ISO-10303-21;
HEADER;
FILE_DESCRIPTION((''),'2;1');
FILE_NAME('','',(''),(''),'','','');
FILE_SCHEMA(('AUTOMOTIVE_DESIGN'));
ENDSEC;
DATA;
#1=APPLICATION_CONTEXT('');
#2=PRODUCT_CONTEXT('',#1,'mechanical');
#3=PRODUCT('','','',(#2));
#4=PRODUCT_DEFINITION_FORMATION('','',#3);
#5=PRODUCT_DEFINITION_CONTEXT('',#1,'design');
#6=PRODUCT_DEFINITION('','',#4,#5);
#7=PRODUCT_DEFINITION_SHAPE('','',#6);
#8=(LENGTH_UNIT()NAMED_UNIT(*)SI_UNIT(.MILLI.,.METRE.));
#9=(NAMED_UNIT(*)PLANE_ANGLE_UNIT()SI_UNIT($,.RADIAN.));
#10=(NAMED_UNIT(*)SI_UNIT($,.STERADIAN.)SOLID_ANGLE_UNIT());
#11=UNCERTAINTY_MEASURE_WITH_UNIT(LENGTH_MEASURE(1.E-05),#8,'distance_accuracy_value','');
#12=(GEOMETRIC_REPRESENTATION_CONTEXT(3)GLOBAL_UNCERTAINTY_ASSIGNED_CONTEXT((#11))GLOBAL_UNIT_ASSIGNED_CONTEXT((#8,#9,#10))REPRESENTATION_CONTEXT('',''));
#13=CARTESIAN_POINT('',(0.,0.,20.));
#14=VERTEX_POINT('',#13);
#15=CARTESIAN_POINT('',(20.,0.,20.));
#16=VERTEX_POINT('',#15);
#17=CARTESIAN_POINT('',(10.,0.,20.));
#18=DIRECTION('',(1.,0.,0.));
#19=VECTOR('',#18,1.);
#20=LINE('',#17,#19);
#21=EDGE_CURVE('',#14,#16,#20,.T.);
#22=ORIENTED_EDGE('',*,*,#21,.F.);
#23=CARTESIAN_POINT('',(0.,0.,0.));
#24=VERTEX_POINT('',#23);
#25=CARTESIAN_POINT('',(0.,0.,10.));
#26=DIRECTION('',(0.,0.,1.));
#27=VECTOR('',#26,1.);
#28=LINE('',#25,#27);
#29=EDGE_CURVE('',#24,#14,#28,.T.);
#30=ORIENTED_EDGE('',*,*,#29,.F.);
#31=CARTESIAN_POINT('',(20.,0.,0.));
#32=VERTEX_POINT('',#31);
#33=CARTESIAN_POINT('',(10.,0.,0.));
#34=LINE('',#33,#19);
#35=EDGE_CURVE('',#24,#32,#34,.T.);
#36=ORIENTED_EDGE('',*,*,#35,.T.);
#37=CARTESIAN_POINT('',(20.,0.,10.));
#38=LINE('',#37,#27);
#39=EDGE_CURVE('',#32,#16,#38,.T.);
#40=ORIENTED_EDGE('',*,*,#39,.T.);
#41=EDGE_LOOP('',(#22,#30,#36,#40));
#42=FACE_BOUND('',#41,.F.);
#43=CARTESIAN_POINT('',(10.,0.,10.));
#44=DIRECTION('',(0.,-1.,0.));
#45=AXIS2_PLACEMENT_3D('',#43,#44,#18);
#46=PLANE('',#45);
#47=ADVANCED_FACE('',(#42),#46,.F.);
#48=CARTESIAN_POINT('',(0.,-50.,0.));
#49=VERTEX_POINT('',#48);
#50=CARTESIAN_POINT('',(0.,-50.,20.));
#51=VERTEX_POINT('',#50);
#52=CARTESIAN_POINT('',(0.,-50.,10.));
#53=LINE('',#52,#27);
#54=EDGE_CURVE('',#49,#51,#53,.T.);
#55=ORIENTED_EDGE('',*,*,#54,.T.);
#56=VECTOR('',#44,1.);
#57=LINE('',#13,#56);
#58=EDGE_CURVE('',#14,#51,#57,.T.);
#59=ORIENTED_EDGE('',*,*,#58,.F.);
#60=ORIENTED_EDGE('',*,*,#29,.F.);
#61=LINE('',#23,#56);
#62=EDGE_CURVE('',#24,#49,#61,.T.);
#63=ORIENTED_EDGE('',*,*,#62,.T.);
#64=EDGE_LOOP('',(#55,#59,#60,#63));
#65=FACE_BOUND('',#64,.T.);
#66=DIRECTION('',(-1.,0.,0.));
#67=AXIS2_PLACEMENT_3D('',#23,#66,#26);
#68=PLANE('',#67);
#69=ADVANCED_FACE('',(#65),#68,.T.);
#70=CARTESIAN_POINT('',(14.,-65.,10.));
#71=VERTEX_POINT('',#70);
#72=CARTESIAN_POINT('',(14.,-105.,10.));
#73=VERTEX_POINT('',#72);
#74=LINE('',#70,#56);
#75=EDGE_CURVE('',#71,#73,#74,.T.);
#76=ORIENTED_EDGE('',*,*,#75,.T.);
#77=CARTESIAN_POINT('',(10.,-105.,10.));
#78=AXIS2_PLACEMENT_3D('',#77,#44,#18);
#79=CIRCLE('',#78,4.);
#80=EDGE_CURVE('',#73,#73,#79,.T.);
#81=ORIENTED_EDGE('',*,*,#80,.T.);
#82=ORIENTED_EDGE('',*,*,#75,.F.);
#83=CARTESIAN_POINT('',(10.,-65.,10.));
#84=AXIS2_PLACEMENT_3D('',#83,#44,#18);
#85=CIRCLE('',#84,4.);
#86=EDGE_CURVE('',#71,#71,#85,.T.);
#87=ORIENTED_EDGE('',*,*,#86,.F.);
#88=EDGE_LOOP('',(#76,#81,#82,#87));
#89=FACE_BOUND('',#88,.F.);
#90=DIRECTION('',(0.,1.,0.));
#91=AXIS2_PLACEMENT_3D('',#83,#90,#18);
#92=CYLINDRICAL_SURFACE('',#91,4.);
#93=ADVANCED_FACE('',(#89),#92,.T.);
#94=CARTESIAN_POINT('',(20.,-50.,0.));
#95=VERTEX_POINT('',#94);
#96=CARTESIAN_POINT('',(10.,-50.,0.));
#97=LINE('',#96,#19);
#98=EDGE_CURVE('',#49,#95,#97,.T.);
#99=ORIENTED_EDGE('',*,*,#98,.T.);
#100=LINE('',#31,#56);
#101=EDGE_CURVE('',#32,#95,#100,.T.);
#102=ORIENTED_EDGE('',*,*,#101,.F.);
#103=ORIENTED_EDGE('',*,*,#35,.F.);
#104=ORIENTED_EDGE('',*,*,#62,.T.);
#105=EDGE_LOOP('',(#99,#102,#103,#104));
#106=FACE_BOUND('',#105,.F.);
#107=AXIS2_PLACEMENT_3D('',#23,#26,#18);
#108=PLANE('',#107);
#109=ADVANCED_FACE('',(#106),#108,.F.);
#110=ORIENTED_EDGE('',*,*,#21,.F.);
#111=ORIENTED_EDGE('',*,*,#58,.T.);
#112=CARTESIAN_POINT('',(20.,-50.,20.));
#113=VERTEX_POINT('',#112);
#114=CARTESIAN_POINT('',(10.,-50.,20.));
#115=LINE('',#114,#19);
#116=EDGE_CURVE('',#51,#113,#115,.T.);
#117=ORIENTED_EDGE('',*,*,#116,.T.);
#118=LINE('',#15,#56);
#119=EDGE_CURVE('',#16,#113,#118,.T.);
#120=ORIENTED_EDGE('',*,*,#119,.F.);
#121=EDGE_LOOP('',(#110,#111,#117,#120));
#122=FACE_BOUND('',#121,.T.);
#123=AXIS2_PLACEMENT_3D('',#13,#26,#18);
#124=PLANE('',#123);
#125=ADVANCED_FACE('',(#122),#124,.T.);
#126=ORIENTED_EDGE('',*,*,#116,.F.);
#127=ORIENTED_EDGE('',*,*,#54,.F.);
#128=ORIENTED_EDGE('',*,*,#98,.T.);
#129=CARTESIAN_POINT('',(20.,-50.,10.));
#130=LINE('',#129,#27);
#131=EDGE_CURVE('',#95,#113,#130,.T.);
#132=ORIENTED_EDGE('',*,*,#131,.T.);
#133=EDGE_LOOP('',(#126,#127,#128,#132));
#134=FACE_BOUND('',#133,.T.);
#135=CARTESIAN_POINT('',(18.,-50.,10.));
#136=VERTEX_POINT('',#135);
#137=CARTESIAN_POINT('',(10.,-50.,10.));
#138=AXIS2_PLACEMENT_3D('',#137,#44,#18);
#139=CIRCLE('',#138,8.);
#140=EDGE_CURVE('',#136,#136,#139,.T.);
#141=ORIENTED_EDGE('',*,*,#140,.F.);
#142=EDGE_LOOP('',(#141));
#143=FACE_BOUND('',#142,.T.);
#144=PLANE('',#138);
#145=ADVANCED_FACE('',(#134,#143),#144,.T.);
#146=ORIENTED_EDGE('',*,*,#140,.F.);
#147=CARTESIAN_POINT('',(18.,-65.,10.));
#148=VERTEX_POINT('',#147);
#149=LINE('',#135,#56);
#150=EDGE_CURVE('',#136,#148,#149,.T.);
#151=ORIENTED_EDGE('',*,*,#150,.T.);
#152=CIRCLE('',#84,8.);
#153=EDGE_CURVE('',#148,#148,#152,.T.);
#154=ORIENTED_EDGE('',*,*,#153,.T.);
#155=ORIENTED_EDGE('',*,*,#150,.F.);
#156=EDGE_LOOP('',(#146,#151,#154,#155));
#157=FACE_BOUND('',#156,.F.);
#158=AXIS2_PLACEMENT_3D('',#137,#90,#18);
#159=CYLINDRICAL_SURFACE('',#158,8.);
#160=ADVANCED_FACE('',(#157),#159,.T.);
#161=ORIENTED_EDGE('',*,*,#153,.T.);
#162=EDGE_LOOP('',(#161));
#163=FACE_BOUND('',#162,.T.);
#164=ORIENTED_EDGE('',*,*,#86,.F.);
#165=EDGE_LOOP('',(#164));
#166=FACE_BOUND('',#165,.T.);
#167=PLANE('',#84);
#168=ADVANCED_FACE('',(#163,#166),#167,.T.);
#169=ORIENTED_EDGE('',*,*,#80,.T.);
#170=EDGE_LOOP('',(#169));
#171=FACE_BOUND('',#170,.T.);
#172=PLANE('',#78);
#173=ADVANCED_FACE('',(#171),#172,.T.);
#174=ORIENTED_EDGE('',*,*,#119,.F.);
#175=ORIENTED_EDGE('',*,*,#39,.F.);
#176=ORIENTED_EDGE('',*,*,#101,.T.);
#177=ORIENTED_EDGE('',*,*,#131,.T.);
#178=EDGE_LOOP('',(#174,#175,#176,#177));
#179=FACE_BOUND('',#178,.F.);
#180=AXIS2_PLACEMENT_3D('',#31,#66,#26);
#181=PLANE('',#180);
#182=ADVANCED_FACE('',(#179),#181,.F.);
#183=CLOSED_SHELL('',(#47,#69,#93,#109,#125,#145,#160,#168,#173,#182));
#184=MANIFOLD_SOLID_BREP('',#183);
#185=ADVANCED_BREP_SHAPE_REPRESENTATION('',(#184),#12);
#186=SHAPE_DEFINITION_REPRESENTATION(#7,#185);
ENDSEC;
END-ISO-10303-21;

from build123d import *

# Parameters (mm, degrees)
F0_W     = 20
F0_H     = 20
F1_DEPTH = 50
F2_R     = 8
F3_DEPTH = 15
F4_R     = 4
F5_DEPTH = 40


with BuildPart() as f1:
    # F0 (on Front) → F1 (new body)
    with BuildSketch(Plane.XZ):
        with Locations((10, 10)):
            Rectangle(F0_W, F0_H)
    extrude(amount=F1_DEPTH)

    # F2 (on face) → F3 (join)
    with BuildSketch(Plane.XZ.offset(50)):
        with Locations((10, 10)):
            Circle(F2_R)
    extrude(amount=F3_DEPTH)

    # F4 (on face) → F5 (join)
    with BuildSketch(Plane.XZ.offset(65)):
        with Locations((10, 10)):
            Circle(F4_R)
    extrude(amount=F5_DEPTH)


solid = f1.part
